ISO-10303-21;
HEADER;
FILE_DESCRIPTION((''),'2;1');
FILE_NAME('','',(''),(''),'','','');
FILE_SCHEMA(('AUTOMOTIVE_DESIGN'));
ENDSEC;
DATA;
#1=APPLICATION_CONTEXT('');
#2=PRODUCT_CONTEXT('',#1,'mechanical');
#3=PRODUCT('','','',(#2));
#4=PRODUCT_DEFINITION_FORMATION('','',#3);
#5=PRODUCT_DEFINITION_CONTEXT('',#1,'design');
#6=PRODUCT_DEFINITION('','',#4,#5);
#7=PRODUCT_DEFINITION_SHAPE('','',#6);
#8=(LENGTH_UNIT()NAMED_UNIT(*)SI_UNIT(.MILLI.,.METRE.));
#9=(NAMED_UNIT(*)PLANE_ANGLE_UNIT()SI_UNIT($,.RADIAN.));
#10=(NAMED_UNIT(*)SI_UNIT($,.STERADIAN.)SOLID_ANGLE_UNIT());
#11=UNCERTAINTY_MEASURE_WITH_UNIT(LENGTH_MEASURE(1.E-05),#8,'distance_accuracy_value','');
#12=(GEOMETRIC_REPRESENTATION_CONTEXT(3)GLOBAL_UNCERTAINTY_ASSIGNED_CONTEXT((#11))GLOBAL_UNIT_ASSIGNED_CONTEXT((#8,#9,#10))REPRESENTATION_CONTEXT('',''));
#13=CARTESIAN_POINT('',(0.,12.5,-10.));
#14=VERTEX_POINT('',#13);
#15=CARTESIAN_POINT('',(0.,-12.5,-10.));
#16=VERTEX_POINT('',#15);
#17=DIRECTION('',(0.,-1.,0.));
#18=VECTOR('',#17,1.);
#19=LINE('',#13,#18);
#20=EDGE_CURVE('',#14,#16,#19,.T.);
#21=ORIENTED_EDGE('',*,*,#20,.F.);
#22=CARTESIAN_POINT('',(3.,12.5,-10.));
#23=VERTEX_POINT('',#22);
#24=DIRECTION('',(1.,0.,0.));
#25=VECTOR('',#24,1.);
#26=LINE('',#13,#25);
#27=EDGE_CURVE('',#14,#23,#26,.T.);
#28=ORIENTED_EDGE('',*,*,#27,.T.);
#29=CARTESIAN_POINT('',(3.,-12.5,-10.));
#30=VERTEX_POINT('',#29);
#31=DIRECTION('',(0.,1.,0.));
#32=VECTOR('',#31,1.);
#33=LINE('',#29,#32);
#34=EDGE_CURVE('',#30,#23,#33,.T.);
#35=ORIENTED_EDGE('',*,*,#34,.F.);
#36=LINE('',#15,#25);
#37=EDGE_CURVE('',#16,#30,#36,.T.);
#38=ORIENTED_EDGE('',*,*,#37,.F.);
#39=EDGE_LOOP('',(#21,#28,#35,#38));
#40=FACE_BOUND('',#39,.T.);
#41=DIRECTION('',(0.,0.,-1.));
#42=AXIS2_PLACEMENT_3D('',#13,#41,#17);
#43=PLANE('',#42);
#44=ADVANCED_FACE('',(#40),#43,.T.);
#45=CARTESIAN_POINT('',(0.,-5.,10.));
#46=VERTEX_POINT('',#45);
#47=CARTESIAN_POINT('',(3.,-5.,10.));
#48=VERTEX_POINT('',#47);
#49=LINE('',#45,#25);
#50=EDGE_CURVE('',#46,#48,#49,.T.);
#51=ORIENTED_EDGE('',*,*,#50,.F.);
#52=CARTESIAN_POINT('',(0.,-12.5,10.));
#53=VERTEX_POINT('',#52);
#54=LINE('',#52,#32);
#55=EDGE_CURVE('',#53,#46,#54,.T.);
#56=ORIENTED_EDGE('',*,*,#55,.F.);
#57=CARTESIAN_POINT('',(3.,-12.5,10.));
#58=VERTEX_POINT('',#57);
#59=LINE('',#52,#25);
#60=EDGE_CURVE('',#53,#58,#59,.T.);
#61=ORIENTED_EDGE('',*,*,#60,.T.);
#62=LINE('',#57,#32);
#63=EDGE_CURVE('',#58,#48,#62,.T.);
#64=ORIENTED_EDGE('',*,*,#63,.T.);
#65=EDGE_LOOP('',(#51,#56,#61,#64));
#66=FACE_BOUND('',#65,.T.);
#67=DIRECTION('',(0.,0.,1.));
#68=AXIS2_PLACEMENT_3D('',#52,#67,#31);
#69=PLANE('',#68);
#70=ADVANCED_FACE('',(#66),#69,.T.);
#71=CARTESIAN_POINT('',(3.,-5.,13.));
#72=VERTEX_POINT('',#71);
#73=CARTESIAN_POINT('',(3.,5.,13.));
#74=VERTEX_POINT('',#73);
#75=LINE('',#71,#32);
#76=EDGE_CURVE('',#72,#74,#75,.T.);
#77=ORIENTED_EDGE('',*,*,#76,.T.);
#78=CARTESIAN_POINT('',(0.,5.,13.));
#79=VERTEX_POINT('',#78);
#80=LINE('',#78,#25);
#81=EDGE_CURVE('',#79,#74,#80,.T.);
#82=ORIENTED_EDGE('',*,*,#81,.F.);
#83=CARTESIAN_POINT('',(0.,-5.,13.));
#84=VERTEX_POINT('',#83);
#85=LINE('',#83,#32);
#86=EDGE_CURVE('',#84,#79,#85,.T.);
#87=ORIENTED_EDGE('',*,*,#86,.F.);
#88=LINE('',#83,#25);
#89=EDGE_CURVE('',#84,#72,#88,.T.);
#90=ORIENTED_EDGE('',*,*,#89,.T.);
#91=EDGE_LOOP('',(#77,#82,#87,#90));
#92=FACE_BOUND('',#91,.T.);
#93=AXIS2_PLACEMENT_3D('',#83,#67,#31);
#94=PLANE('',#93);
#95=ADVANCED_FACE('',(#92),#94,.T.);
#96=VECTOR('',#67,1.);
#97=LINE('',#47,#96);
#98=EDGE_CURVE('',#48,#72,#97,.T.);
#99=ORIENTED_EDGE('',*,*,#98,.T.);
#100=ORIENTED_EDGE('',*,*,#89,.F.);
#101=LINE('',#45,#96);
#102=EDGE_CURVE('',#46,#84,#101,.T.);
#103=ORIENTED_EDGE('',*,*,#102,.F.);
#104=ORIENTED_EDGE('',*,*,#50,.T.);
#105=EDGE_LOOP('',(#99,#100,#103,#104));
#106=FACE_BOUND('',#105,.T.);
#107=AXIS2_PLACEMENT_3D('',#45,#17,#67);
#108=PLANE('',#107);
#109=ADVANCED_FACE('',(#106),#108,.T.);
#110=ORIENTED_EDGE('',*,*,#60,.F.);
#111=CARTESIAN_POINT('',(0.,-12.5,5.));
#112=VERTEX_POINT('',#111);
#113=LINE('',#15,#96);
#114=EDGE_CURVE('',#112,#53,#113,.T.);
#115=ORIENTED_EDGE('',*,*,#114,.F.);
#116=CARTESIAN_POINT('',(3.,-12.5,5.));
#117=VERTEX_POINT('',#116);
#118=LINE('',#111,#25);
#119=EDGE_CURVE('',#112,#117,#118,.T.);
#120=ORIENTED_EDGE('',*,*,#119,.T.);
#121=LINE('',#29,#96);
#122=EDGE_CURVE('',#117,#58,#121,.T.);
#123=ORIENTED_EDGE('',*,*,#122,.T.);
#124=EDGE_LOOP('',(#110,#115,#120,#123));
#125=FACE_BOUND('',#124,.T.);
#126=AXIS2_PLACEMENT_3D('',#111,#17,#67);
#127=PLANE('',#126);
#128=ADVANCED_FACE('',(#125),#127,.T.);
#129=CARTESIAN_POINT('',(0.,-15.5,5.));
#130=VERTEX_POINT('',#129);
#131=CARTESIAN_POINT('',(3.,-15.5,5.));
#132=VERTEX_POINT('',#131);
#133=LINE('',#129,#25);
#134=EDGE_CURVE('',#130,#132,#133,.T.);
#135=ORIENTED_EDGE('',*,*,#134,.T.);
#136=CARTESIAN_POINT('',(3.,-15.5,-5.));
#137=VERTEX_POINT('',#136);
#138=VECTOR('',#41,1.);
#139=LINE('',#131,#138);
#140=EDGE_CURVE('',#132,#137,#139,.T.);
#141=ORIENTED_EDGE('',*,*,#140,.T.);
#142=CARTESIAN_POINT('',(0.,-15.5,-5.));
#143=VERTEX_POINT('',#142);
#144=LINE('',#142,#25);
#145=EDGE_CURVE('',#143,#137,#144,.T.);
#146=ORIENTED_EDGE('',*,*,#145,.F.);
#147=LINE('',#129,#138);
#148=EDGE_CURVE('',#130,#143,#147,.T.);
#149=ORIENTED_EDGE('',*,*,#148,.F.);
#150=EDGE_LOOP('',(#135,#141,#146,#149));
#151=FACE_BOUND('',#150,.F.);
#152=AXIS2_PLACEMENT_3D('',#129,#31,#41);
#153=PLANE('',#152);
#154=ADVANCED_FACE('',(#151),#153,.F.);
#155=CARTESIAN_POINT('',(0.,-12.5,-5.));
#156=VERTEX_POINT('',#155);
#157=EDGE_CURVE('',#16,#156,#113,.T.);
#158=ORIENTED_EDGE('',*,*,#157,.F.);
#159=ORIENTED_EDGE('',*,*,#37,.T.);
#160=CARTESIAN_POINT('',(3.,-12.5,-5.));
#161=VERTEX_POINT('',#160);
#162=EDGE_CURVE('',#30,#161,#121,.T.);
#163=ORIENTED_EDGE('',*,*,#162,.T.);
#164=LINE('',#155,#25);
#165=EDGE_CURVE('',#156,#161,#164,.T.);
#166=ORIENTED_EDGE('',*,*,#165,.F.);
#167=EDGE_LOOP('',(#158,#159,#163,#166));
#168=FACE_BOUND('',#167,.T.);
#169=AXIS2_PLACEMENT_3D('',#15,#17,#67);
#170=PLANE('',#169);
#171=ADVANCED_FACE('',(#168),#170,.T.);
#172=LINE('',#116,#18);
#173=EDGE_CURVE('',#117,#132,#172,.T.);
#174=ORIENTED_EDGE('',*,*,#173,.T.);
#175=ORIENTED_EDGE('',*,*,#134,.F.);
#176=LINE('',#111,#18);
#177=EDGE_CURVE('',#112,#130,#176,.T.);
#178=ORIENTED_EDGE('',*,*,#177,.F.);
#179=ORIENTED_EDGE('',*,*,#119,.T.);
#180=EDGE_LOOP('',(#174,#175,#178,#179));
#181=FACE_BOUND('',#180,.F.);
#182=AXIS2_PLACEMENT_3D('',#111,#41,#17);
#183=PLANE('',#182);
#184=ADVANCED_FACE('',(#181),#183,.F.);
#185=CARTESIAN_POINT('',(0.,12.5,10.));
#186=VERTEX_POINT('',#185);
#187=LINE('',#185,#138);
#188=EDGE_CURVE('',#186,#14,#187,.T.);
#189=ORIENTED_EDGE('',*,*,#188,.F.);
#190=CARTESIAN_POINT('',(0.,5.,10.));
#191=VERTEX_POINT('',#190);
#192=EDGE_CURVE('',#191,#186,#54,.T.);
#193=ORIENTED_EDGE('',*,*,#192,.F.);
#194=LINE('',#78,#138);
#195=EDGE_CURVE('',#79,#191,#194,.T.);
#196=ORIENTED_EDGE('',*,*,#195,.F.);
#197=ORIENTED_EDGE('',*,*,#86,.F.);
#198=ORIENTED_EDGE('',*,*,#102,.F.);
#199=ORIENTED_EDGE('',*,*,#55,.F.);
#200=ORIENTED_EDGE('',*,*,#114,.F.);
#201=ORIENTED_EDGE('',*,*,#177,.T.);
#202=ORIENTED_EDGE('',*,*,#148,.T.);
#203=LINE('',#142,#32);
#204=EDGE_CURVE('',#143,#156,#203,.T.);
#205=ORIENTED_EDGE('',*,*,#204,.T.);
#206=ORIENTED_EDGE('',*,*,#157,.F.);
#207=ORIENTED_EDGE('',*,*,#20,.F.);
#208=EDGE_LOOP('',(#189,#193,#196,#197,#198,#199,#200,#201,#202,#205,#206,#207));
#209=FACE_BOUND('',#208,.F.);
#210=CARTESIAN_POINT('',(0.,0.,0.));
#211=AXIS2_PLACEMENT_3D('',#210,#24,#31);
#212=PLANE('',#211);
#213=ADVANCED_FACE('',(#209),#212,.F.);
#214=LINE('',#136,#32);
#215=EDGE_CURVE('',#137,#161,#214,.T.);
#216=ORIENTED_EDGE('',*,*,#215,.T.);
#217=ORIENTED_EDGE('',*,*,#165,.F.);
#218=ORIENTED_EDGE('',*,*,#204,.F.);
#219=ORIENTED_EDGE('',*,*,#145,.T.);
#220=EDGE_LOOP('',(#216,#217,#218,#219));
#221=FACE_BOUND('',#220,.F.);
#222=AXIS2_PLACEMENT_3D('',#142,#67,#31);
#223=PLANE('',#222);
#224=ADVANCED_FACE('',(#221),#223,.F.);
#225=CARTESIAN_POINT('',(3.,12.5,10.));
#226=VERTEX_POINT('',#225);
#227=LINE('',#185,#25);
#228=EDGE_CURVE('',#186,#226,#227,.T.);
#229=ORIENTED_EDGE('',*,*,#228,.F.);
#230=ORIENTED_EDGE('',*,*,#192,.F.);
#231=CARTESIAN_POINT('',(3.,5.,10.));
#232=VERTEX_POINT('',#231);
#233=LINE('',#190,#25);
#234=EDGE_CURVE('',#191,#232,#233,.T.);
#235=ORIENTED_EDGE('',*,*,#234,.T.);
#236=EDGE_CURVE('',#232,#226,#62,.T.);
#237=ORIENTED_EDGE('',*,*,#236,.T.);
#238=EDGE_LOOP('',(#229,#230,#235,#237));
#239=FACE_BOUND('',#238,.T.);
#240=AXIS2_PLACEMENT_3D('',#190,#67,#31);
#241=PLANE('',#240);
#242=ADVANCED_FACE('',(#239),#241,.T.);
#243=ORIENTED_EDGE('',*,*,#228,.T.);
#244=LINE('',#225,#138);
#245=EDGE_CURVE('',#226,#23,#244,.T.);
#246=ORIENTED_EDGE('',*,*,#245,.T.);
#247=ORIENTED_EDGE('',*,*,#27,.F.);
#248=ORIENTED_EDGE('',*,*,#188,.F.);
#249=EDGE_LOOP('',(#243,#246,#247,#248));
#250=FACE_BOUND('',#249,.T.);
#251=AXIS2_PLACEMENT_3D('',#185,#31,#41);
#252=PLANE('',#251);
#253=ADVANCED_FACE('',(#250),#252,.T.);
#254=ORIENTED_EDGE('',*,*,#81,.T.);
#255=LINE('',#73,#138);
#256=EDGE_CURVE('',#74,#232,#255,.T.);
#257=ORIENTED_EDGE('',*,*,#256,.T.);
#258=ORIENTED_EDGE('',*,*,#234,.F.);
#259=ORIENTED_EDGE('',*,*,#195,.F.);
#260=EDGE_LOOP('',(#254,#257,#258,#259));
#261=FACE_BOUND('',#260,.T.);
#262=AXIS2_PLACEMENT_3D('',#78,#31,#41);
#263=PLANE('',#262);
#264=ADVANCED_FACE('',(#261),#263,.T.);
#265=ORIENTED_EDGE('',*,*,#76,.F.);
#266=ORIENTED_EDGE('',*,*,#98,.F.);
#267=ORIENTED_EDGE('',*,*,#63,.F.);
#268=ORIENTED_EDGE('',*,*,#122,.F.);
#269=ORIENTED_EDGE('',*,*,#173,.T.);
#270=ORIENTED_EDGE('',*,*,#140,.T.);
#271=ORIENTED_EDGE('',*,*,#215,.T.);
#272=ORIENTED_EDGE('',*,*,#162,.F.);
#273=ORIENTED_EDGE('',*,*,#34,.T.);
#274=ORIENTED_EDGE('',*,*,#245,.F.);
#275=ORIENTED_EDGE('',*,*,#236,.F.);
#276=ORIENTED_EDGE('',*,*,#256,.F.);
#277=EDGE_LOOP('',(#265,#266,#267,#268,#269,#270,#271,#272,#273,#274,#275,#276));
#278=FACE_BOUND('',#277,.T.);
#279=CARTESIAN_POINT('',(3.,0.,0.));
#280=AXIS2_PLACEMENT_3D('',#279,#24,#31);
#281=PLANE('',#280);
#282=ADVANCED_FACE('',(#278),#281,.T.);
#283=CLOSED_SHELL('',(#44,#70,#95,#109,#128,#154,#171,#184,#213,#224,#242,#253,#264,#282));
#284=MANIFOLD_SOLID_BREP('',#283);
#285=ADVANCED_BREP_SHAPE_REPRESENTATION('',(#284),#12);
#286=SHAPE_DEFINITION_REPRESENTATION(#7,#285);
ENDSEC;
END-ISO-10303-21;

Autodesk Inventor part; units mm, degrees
ref_plane "YZ Plane" through (0, 0, 0) normal (1, 0, 0) x (0, 1, 0)
ref_plane "XZ Plane" through (0, 0, 0) normal (0, 1, 0) x (-1, 0, 0)
ref_plane "XY Plane" through (0, 0, 0) normal (0, 0, 1) x (1, 0, 0)
sketch "Sketch1" plane through (0, 0, 0) normal (1, 0, 0) x (0, 1, 0)
  line L0 (-12.5, 10) -> (12.5, 10)
  line L1 (12.5, 10) -> (12.5, -10)
  line L2 (12.5, -10) -> (-12.5, -10)
  line L3 (-12.5, -10) -> (-12.5, 10)
  line L4 (-12.5, 10) -> (12.5, -10) construction
  line L5 (12.5, 10) -> (-12.5, -10) construction
  line L6 (5, 10) -> (-5, 10)
  line L7 (-5, 10) -> (-5, 13)
  line L8 (-5, 13) -> (5, 13)
  line L9 (5, 13) -> (5, 10)
  line L10 (-12.5, 5) -> (-15.5, 5)
  line L11 (-15.5, 5) -> (-15.5, -5)
  line L12 (-15.5, -5) -> (-12.5, -5)
  line L13 (-12.5, -5) -> (-12.5, 5)
  circle A0 centre (0, -10) radius 10
  point P0 (0, 0)
  point P1 (0, 13)
  point P2 (0, 0)
  dimension "d0" = 25
  dimension "d1" = 20
  dimension "d2" = 10
  dimension "d3" = 3
  dimension "d4" = 3
  dimension "d5" = 10
  dimension "d8" = 5
extrude "Extrusion1" add sketch "Sketch1" along normal blind 3 contours L0 L1 L2 A0 L3 | L7 L8 L9 L0 | L3 L12 L11 L10 | A0 L2 picked at (-0.8971, -4.5365)
properties part number "Back support"
